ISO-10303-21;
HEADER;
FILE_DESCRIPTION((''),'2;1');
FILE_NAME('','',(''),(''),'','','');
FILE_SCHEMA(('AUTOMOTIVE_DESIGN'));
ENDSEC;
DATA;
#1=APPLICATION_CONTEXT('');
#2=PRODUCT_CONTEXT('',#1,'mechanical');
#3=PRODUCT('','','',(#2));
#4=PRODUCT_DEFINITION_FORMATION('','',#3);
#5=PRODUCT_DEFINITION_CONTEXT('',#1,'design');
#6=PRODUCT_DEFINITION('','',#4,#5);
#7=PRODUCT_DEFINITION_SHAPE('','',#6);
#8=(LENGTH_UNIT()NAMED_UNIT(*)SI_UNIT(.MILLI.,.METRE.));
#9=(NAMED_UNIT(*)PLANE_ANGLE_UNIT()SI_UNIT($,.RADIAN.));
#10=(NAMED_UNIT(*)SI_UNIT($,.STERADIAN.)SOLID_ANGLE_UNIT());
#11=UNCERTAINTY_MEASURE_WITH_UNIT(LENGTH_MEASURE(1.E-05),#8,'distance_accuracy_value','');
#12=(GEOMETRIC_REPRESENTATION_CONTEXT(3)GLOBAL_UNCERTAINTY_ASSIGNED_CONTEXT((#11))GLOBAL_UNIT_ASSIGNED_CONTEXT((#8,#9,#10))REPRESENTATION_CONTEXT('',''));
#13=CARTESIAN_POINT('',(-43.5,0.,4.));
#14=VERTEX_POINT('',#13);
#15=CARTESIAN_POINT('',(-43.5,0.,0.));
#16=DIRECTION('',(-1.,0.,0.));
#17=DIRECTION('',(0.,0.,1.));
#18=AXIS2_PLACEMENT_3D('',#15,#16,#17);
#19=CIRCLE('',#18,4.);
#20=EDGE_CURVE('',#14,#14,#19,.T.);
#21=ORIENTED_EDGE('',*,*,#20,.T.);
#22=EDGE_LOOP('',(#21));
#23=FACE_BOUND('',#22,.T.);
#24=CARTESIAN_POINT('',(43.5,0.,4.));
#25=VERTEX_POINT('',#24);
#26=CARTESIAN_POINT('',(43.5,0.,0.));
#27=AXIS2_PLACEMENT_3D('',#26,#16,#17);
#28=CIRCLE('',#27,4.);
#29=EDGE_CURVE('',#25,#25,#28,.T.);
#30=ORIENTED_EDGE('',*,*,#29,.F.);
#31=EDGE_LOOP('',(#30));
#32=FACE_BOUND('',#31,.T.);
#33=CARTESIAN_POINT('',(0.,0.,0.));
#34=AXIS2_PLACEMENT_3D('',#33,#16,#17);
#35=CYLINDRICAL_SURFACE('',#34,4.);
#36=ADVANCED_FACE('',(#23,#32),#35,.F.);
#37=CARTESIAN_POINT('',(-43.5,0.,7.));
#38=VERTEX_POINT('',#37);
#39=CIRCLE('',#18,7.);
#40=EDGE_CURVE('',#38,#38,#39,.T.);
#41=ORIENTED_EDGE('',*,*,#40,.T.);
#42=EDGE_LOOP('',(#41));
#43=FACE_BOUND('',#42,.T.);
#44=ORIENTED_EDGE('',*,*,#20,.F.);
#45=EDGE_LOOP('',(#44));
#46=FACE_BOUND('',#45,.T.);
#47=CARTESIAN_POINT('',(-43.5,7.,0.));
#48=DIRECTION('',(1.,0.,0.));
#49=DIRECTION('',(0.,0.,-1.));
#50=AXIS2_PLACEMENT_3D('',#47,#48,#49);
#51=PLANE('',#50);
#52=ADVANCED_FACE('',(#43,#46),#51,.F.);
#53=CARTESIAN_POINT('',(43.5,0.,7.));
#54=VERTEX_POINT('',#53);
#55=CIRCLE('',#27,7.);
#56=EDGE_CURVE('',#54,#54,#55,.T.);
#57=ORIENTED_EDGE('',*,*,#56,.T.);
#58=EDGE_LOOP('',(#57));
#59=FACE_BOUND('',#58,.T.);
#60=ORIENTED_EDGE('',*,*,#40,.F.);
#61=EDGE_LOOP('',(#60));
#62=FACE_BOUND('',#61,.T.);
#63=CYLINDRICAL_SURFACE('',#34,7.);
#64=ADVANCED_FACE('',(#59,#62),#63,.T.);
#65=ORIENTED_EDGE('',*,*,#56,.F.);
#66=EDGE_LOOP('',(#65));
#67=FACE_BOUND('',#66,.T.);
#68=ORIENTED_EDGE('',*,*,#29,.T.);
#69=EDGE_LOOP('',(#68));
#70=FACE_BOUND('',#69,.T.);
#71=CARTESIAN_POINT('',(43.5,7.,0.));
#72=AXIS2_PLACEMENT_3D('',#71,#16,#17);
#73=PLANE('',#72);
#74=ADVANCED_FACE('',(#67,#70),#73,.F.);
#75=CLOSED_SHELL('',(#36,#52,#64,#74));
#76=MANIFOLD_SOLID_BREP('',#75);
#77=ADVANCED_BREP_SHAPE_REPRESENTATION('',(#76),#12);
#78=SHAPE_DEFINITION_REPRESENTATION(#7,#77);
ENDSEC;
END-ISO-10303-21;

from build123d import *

# Parameters (mm, degrees)
SKETCH_1_W = 87
SKETCH_1_H = 3


with BuildPart() as part:
    # ｽｹｯﾁ1 → 回転1 (revolve)
    with BuildSketch(Plane.XY, mode=Mode.PRIVATE) as revolve_1_sk:
        with Locations((0, 5.5)):
            Rectangle(SKETCH_1_W, SKETCH_1_H)
    revolve(revolve_1_sk.sketch.rotate(Axis((0, 0, 0), (1, 0, 0)), 90), axis=Axis((0, 0, 0), (1, 0, 0)))


solid = part.part
